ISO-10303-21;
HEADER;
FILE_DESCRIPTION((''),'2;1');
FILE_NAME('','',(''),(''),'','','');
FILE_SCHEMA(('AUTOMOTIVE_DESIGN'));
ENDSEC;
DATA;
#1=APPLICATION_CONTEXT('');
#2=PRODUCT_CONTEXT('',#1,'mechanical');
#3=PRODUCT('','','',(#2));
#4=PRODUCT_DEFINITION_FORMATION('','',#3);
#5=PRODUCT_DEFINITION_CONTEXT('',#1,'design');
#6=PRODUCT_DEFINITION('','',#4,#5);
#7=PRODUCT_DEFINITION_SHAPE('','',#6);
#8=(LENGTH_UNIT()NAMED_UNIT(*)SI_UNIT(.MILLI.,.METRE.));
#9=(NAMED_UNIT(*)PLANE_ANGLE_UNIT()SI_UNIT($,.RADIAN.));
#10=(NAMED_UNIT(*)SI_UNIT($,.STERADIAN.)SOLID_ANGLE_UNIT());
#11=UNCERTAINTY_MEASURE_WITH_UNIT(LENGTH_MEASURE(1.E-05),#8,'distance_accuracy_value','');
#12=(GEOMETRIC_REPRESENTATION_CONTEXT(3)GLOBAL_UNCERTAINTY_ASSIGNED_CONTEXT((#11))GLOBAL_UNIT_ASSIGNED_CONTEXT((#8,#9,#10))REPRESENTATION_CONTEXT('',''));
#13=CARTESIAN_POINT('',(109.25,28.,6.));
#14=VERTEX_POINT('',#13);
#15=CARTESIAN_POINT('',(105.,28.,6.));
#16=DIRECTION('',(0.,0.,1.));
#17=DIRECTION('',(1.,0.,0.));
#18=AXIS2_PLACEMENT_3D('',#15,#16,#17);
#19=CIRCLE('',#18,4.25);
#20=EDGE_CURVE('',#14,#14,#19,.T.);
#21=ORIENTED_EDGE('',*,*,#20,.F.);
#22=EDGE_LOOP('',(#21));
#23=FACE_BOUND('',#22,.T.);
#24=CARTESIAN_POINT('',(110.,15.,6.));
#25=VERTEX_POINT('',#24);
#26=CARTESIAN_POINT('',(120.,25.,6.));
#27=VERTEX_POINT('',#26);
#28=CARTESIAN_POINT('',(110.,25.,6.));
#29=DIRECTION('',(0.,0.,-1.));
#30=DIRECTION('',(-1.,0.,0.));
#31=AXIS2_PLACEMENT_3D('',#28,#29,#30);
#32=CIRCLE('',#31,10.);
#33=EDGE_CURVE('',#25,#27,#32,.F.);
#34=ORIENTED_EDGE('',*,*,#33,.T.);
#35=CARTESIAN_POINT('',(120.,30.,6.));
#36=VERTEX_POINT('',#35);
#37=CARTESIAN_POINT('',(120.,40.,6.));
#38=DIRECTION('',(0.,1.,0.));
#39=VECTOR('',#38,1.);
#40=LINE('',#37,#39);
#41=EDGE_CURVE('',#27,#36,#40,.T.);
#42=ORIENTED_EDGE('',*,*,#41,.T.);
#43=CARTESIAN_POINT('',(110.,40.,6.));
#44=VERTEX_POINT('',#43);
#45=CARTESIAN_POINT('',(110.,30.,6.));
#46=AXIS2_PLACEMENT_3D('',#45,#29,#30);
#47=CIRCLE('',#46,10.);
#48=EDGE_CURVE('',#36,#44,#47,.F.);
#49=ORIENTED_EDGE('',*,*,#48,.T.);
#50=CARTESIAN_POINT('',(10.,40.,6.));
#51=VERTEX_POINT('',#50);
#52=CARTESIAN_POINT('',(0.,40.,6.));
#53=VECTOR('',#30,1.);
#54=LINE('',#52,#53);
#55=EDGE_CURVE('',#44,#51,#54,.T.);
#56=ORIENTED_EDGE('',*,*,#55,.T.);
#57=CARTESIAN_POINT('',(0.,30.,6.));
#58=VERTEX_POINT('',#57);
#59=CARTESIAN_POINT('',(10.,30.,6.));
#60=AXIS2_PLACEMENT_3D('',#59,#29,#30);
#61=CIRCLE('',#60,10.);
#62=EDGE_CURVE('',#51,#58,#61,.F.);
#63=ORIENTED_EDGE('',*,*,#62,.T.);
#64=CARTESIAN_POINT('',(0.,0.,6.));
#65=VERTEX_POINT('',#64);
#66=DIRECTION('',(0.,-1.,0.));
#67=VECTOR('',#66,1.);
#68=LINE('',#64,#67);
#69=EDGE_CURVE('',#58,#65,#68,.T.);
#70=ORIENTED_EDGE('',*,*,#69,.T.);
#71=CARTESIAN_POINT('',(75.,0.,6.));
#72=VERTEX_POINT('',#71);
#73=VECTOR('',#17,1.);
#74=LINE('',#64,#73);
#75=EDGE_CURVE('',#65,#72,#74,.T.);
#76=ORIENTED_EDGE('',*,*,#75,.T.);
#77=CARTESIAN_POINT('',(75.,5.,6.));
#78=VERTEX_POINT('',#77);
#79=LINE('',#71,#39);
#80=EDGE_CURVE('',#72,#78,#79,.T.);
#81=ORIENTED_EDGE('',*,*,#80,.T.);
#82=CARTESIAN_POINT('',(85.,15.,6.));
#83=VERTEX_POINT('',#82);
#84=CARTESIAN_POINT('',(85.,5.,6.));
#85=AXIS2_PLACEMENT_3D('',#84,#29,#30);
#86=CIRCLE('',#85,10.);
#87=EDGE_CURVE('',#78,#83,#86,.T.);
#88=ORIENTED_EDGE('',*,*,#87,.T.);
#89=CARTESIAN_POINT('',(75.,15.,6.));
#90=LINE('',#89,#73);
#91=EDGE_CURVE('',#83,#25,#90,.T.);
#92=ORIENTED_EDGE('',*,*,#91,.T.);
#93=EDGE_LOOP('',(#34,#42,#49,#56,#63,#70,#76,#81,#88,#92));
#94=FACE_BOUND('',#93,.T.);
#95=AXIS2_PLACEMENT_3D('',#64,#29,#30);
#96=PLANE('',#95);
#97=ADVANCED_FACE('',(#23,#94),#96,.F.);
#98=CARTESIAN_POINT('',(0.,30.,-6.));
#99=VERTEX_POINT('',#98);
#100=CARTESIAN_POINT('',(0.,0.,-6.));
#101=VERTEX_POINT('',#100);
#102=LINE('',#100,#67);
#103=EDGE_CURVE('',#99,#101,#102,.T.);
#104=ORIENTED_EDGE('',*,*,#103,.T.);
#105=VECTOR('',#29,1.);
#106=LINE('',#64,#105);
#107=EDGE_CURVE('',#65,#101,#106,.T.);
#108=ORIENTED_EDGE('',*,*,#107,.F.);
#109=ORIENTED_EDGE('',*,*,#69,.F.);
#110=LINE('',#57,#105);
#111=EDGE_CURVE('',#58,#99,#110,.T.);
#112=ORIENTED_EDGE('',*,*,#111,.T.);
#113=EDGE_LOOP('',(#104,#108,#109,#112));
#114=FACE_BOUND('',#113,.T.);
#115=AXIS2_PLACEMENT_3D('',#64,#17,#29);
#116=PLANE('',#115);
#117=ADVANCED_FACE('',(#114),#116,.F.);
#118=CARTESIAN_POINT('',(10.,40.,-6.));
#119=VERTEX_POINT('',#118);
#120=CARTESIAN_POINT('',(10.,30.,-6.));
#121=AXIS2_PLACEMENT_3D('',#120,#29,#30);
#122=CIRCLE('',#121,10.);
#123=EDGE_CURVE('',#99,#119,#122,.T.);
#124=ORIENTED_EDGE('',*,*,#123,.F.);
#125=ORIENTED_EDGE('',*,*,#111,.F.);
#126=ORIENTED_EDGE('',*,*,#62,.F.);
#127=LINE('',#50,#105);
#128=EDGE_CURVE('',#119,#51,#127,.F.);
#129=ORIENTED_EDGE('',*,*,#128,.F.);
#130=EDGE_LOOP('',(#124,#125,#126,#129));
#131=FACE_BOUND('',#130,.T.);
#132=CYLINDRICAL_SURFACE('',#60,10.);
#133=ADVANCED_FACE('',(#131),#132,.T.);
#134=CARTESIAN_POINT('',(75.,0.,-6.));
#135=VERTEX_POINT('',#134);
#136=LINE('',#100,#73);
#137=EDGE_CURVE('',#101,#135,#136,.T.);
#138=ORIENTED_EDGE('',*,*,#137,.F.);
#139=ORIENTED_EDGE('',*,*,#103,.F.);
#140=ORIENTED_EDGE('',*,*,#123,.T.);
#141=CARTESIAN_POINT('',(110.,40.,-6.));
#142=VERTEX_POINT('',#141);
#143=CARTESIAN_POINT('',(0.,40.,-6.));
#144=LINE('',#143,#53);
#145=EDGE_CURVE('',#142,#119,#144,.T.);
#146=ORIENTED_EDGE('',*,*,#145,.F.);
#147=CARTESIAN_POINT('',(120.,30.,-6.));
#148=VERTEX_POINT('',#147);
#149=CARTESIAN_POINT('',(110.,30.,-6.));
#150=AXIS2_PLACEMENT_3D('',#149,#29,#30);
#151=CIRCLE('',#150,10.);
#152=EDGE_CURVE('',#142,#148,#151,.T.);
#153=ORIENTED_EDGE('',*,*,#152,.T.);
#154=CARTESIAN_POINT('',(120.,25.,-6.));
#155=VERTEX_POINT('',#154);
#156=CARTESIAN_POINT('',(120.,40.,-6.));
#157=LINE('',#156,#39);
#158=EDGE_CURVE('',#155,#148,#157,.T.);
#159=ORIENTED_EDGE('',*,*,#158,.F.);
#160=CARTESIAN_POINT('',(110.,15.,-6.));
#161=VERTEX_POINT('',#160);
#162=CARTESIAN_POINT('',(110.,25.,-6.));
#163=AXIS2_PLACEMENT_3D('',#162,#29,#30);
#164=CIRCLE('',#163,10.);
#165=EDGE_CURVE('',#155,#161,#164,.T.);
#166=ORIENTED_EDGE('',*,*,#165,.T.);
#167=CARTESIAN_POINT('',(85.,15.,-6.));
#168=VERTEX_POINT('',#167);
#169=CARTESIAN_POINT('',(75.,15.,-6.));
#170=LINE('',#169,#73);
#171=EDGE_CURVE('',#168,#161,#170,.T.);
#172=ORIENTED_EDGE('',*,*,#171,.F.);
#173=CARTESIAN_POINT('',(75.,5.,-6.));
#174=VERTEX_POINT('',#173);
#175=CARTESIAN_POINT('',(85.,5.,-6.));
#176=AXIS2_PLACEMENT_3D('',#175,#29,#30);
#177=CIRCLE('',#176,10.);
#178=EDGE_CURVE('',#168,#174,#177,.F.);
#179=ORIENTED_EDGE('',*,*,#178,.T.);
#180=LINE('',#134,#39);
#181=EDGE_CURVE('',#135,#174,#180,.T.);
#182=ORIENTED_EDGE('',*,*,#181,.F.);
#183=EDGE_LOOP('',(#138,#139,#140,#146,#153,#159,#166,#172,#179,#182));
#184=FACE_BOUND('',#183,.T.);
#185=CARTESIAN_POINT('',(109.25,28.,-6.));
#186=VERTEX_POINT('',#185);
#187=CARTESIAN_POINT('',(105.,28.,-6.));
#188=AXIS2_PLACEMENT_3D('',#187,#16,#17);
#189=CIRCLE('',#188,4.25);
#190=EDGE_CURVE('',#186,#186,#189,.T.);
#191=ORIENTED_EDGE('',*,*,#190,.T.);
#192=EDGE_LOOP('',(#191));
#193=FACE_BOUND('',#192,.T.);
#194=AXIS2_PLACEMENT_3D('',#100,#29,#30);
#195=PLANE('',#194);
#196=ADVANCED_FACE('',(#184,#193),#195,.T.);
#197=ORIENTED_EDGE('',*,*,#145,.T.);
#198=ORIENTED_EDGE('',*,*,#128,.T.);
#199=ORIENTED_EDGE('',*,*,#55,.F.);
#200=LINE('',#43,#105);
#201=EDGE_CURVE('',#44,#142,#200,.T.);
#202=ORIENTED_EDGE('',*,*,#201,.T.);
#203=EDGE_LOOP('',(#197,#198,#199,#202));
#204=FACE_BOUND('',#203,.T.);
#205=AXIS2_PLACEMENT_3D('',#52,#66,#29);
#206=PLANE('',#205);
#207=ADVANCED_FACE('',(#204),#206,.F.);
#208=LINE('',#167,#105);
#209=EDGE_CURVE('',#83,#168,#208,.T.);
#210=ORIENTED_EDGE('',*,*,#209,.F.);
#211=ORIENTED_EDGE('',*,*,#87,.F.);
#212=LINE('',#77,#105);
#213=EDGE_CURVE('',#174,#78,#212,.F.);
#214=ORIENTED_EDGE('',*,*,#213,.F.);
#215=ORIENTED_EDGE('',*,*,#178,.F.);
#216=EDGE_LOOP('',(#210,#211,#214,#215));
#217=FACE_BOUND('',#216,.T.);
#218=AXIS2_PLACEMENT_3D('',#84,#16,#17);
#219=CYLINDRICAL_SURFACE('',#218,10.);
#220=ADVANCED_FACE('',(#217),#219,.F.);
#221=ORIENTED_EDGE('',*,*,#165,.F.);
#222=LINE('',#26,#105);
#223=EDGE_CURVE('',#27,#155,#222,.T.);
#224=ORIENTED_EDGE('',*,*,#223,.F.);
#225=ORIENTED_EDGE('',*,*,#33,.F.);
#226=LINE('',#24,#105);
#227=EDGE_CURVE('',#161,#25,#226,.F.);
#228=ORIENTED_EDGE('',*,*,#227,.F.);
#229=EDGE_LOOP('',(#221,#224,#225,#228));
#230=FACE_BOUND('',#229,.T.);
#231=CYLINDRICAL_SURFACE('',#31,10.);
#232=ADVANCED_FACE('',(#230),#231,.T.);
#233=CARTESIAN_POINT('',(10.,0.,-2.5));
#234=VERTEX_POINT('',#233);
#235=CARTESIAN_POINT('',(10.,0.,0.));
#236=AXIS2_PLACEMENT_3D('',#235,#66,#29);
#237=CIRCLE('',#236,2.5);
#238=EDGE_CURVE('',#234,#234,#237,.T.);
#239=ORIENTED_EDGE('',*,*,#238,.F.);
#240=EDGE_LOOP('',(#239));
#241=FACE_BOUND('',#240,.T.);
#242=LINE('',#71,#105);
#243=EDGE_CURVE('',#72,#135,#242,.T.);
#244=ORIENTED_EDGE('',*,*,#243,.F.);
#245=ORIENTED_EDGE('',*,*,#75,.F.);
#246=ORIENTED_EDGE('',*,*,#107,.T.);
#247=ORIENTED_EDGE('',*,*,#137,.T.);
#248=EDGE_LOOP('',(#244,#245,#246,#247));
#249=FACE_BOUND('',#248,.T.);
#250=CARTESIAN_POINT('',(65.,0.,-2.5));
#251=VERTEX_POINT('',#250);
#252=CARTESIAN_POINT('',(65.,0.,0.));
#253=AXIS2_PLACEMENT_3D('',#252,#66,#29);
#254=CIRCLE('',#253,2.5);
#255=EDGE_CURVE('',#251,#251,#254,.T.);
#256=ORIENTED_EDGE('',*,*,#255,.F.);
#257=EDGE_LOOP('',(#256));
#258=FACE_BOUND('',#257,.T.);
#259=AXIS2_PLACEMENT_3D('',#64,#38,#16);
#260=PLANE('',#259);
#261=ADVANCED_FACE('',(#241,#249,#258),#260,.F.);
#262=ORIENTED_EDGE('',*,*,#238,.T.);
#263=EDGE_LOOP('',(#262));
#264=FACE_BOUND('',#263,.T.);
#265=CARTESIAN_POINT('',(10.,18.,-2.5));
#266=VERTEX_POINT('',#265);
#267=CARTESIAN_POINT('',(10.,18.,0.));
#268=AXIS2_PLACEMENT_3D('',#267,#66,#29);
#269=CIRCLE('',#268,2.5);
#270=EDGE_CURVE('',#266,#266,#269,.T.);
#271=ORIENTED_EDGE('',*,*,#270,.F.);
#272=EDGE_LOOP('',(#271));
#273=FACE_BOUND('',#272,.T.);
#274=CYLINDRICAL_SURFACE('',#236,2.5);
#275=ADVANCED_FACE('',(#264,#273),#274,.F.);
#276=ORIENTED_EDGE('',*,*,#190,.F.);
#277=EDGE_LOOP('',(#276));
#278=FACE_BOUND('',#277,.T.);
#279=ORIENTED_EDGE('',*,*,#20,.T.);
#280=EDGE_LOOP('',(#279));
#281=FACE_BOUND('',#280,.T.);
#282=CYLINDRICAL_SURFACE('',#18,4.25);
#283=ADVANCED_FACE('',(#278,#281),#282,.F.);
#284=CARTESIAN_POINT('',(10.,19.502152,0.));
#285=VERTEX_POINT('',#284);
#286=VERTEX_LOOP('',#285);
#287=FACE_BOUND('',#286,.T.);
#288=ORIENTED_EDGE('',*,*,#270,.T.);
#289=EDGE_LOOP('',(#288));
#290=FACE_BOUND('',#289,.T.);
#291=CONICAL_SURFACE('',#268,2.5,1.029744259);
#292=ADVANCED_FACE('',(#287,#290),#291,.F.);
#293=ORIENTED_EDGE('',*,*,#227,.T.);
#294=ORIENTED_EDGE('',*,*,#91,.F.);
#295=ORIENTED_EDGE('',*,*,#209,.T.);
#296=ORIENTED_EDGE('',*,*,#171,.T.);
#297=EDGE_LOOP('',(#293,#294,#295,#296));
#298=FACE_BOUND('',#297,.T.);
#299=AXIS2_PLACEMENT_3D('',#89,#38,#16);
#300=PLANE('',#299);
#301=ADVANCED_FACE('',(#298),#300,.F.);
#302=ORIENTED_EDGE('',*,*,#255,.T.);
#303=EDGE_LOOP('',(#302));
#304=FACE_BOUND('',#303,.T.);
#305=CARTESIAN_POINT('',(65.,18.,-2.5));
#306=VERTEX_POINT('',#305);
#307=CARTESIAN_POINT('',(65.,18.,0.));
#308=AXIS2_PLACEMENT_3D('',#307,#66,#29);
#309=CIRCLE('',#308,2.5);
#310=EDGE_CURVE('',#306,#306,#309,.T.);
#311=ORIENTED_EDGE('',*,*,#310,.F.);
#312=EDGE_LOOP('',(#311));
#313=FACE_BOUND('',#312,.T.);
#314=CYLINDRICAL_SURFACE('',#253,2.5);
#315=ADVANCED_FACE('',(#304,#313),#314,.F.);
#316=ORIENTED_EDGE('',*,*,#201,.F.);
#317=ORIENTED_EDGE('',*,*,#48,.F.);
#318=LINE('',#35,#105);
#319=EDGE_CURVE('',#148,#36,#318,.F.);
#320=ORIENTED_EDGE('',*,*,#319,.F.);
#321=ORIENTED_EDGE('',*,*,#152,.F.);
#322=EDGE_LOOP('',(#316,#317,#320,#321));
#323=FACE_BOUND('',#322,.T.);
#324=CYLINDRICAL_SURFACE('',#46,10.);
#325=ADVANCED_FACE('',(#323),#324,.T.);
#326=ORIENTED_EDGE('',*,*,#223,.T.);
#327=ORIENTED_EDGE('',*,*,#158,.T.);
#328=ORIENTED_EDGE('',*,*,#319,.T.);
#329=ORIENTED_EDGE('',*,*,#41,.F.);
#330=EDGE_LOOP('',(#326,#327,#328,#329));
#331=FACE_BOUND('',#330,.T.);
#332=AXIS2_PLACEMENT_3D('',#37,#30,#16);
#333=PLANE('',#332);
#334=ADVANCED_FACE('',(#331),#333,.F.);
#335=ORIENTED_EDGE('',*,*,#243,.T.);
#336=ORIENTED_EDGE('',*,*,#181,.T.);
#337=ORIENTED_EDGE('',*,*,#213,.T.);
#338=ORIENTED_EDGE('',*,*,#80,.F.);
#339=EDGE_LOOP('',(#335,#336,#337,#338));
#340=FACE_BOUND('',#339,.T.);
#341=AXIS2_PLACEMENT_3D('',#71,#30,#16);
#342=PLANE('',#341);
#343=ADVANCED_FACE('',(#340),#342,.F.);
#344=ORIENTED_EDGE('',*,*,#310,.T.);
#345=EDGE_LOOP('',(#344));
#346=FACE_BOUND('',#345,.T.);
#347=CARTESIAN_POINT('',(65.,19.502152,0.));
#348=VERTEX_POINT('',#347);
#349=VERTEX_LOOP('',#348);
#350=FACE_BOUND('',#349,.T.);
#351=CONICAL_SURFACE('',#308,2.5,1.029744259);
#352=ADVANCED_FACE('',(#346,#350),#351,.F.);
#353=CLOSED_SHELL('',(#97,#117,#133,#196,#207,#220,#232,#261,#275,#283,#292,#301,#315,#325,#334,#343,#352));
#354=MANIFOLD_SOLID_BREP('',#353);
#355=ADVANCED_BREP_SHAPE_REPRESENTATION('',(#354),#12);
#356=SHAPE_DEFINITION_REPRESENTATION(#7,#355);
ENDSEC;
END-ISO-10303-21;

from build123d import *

# Parameters (mm, degrees)
EXTRUDE_1_DEPTH        = 6
HOLE_WIZARD_M6_1_D     = 5
HOLE_WIZARD_M6_1_DEPTH = 18
HOLE_WIZARD_M6_1_TIP   = 1.502151548
FILLET_1_R             = 10
HOLE_WIZARD_M10_1_D    = 8.5


with BuildPart() as part:
    # 草图1 → 凸台-拉伸1 (new body, symmetric)
    with BuildSketch(Plane.XY):
        Polygon((0, 0), (75, 0), (75, 15), (120, 15), (120, 40), (0, 40), align=None)
    extrude(amount=EXTRUDE_1_DEPTH, both=True)

    # M6 螺纹孔1
    with Locations(Plane(origin=(0, 0, 0), x_dir=(-1, 0, 0), z_dir=(0, -1, 0))):
        with Locations((-10, 0), (-65, 0)):
            Hole(HOLE_WIZARD_M6_1_D / 2, depth=HOLE_WIZARD_M6_1_DEPTH)
            with Locations((0, 0, -(HOLE_WIZARD_M6_1_DEPTH + HOLE_WIZARD_M6_1_TIP / 2))):  # 118° drill point
                Cone(0, HOLE_WIZARD_M6_1_D / 2, HOLE_WIZARD_M6_1_TIP, mode=Mode.SUBTRACT)

    # 圆角1
    fillet_1_edges = [part.edges().sort_by_distance(p)[0] for p in [
        (0, 40, 0),
        (120, 40, 0),
        (120, 15, 0),
        (75, 15, 0),
    ]]
    fillet(fillet_1_edges, radius=FILLET_1_R)

    # M10 螺纹孔1 (through all)
    with Locations(Plane.XY.offset(6)):
        with Locations((105, 28)):
            Hole(HOLE_WIZARD_M10_1_D / 2)


solid = part.part
